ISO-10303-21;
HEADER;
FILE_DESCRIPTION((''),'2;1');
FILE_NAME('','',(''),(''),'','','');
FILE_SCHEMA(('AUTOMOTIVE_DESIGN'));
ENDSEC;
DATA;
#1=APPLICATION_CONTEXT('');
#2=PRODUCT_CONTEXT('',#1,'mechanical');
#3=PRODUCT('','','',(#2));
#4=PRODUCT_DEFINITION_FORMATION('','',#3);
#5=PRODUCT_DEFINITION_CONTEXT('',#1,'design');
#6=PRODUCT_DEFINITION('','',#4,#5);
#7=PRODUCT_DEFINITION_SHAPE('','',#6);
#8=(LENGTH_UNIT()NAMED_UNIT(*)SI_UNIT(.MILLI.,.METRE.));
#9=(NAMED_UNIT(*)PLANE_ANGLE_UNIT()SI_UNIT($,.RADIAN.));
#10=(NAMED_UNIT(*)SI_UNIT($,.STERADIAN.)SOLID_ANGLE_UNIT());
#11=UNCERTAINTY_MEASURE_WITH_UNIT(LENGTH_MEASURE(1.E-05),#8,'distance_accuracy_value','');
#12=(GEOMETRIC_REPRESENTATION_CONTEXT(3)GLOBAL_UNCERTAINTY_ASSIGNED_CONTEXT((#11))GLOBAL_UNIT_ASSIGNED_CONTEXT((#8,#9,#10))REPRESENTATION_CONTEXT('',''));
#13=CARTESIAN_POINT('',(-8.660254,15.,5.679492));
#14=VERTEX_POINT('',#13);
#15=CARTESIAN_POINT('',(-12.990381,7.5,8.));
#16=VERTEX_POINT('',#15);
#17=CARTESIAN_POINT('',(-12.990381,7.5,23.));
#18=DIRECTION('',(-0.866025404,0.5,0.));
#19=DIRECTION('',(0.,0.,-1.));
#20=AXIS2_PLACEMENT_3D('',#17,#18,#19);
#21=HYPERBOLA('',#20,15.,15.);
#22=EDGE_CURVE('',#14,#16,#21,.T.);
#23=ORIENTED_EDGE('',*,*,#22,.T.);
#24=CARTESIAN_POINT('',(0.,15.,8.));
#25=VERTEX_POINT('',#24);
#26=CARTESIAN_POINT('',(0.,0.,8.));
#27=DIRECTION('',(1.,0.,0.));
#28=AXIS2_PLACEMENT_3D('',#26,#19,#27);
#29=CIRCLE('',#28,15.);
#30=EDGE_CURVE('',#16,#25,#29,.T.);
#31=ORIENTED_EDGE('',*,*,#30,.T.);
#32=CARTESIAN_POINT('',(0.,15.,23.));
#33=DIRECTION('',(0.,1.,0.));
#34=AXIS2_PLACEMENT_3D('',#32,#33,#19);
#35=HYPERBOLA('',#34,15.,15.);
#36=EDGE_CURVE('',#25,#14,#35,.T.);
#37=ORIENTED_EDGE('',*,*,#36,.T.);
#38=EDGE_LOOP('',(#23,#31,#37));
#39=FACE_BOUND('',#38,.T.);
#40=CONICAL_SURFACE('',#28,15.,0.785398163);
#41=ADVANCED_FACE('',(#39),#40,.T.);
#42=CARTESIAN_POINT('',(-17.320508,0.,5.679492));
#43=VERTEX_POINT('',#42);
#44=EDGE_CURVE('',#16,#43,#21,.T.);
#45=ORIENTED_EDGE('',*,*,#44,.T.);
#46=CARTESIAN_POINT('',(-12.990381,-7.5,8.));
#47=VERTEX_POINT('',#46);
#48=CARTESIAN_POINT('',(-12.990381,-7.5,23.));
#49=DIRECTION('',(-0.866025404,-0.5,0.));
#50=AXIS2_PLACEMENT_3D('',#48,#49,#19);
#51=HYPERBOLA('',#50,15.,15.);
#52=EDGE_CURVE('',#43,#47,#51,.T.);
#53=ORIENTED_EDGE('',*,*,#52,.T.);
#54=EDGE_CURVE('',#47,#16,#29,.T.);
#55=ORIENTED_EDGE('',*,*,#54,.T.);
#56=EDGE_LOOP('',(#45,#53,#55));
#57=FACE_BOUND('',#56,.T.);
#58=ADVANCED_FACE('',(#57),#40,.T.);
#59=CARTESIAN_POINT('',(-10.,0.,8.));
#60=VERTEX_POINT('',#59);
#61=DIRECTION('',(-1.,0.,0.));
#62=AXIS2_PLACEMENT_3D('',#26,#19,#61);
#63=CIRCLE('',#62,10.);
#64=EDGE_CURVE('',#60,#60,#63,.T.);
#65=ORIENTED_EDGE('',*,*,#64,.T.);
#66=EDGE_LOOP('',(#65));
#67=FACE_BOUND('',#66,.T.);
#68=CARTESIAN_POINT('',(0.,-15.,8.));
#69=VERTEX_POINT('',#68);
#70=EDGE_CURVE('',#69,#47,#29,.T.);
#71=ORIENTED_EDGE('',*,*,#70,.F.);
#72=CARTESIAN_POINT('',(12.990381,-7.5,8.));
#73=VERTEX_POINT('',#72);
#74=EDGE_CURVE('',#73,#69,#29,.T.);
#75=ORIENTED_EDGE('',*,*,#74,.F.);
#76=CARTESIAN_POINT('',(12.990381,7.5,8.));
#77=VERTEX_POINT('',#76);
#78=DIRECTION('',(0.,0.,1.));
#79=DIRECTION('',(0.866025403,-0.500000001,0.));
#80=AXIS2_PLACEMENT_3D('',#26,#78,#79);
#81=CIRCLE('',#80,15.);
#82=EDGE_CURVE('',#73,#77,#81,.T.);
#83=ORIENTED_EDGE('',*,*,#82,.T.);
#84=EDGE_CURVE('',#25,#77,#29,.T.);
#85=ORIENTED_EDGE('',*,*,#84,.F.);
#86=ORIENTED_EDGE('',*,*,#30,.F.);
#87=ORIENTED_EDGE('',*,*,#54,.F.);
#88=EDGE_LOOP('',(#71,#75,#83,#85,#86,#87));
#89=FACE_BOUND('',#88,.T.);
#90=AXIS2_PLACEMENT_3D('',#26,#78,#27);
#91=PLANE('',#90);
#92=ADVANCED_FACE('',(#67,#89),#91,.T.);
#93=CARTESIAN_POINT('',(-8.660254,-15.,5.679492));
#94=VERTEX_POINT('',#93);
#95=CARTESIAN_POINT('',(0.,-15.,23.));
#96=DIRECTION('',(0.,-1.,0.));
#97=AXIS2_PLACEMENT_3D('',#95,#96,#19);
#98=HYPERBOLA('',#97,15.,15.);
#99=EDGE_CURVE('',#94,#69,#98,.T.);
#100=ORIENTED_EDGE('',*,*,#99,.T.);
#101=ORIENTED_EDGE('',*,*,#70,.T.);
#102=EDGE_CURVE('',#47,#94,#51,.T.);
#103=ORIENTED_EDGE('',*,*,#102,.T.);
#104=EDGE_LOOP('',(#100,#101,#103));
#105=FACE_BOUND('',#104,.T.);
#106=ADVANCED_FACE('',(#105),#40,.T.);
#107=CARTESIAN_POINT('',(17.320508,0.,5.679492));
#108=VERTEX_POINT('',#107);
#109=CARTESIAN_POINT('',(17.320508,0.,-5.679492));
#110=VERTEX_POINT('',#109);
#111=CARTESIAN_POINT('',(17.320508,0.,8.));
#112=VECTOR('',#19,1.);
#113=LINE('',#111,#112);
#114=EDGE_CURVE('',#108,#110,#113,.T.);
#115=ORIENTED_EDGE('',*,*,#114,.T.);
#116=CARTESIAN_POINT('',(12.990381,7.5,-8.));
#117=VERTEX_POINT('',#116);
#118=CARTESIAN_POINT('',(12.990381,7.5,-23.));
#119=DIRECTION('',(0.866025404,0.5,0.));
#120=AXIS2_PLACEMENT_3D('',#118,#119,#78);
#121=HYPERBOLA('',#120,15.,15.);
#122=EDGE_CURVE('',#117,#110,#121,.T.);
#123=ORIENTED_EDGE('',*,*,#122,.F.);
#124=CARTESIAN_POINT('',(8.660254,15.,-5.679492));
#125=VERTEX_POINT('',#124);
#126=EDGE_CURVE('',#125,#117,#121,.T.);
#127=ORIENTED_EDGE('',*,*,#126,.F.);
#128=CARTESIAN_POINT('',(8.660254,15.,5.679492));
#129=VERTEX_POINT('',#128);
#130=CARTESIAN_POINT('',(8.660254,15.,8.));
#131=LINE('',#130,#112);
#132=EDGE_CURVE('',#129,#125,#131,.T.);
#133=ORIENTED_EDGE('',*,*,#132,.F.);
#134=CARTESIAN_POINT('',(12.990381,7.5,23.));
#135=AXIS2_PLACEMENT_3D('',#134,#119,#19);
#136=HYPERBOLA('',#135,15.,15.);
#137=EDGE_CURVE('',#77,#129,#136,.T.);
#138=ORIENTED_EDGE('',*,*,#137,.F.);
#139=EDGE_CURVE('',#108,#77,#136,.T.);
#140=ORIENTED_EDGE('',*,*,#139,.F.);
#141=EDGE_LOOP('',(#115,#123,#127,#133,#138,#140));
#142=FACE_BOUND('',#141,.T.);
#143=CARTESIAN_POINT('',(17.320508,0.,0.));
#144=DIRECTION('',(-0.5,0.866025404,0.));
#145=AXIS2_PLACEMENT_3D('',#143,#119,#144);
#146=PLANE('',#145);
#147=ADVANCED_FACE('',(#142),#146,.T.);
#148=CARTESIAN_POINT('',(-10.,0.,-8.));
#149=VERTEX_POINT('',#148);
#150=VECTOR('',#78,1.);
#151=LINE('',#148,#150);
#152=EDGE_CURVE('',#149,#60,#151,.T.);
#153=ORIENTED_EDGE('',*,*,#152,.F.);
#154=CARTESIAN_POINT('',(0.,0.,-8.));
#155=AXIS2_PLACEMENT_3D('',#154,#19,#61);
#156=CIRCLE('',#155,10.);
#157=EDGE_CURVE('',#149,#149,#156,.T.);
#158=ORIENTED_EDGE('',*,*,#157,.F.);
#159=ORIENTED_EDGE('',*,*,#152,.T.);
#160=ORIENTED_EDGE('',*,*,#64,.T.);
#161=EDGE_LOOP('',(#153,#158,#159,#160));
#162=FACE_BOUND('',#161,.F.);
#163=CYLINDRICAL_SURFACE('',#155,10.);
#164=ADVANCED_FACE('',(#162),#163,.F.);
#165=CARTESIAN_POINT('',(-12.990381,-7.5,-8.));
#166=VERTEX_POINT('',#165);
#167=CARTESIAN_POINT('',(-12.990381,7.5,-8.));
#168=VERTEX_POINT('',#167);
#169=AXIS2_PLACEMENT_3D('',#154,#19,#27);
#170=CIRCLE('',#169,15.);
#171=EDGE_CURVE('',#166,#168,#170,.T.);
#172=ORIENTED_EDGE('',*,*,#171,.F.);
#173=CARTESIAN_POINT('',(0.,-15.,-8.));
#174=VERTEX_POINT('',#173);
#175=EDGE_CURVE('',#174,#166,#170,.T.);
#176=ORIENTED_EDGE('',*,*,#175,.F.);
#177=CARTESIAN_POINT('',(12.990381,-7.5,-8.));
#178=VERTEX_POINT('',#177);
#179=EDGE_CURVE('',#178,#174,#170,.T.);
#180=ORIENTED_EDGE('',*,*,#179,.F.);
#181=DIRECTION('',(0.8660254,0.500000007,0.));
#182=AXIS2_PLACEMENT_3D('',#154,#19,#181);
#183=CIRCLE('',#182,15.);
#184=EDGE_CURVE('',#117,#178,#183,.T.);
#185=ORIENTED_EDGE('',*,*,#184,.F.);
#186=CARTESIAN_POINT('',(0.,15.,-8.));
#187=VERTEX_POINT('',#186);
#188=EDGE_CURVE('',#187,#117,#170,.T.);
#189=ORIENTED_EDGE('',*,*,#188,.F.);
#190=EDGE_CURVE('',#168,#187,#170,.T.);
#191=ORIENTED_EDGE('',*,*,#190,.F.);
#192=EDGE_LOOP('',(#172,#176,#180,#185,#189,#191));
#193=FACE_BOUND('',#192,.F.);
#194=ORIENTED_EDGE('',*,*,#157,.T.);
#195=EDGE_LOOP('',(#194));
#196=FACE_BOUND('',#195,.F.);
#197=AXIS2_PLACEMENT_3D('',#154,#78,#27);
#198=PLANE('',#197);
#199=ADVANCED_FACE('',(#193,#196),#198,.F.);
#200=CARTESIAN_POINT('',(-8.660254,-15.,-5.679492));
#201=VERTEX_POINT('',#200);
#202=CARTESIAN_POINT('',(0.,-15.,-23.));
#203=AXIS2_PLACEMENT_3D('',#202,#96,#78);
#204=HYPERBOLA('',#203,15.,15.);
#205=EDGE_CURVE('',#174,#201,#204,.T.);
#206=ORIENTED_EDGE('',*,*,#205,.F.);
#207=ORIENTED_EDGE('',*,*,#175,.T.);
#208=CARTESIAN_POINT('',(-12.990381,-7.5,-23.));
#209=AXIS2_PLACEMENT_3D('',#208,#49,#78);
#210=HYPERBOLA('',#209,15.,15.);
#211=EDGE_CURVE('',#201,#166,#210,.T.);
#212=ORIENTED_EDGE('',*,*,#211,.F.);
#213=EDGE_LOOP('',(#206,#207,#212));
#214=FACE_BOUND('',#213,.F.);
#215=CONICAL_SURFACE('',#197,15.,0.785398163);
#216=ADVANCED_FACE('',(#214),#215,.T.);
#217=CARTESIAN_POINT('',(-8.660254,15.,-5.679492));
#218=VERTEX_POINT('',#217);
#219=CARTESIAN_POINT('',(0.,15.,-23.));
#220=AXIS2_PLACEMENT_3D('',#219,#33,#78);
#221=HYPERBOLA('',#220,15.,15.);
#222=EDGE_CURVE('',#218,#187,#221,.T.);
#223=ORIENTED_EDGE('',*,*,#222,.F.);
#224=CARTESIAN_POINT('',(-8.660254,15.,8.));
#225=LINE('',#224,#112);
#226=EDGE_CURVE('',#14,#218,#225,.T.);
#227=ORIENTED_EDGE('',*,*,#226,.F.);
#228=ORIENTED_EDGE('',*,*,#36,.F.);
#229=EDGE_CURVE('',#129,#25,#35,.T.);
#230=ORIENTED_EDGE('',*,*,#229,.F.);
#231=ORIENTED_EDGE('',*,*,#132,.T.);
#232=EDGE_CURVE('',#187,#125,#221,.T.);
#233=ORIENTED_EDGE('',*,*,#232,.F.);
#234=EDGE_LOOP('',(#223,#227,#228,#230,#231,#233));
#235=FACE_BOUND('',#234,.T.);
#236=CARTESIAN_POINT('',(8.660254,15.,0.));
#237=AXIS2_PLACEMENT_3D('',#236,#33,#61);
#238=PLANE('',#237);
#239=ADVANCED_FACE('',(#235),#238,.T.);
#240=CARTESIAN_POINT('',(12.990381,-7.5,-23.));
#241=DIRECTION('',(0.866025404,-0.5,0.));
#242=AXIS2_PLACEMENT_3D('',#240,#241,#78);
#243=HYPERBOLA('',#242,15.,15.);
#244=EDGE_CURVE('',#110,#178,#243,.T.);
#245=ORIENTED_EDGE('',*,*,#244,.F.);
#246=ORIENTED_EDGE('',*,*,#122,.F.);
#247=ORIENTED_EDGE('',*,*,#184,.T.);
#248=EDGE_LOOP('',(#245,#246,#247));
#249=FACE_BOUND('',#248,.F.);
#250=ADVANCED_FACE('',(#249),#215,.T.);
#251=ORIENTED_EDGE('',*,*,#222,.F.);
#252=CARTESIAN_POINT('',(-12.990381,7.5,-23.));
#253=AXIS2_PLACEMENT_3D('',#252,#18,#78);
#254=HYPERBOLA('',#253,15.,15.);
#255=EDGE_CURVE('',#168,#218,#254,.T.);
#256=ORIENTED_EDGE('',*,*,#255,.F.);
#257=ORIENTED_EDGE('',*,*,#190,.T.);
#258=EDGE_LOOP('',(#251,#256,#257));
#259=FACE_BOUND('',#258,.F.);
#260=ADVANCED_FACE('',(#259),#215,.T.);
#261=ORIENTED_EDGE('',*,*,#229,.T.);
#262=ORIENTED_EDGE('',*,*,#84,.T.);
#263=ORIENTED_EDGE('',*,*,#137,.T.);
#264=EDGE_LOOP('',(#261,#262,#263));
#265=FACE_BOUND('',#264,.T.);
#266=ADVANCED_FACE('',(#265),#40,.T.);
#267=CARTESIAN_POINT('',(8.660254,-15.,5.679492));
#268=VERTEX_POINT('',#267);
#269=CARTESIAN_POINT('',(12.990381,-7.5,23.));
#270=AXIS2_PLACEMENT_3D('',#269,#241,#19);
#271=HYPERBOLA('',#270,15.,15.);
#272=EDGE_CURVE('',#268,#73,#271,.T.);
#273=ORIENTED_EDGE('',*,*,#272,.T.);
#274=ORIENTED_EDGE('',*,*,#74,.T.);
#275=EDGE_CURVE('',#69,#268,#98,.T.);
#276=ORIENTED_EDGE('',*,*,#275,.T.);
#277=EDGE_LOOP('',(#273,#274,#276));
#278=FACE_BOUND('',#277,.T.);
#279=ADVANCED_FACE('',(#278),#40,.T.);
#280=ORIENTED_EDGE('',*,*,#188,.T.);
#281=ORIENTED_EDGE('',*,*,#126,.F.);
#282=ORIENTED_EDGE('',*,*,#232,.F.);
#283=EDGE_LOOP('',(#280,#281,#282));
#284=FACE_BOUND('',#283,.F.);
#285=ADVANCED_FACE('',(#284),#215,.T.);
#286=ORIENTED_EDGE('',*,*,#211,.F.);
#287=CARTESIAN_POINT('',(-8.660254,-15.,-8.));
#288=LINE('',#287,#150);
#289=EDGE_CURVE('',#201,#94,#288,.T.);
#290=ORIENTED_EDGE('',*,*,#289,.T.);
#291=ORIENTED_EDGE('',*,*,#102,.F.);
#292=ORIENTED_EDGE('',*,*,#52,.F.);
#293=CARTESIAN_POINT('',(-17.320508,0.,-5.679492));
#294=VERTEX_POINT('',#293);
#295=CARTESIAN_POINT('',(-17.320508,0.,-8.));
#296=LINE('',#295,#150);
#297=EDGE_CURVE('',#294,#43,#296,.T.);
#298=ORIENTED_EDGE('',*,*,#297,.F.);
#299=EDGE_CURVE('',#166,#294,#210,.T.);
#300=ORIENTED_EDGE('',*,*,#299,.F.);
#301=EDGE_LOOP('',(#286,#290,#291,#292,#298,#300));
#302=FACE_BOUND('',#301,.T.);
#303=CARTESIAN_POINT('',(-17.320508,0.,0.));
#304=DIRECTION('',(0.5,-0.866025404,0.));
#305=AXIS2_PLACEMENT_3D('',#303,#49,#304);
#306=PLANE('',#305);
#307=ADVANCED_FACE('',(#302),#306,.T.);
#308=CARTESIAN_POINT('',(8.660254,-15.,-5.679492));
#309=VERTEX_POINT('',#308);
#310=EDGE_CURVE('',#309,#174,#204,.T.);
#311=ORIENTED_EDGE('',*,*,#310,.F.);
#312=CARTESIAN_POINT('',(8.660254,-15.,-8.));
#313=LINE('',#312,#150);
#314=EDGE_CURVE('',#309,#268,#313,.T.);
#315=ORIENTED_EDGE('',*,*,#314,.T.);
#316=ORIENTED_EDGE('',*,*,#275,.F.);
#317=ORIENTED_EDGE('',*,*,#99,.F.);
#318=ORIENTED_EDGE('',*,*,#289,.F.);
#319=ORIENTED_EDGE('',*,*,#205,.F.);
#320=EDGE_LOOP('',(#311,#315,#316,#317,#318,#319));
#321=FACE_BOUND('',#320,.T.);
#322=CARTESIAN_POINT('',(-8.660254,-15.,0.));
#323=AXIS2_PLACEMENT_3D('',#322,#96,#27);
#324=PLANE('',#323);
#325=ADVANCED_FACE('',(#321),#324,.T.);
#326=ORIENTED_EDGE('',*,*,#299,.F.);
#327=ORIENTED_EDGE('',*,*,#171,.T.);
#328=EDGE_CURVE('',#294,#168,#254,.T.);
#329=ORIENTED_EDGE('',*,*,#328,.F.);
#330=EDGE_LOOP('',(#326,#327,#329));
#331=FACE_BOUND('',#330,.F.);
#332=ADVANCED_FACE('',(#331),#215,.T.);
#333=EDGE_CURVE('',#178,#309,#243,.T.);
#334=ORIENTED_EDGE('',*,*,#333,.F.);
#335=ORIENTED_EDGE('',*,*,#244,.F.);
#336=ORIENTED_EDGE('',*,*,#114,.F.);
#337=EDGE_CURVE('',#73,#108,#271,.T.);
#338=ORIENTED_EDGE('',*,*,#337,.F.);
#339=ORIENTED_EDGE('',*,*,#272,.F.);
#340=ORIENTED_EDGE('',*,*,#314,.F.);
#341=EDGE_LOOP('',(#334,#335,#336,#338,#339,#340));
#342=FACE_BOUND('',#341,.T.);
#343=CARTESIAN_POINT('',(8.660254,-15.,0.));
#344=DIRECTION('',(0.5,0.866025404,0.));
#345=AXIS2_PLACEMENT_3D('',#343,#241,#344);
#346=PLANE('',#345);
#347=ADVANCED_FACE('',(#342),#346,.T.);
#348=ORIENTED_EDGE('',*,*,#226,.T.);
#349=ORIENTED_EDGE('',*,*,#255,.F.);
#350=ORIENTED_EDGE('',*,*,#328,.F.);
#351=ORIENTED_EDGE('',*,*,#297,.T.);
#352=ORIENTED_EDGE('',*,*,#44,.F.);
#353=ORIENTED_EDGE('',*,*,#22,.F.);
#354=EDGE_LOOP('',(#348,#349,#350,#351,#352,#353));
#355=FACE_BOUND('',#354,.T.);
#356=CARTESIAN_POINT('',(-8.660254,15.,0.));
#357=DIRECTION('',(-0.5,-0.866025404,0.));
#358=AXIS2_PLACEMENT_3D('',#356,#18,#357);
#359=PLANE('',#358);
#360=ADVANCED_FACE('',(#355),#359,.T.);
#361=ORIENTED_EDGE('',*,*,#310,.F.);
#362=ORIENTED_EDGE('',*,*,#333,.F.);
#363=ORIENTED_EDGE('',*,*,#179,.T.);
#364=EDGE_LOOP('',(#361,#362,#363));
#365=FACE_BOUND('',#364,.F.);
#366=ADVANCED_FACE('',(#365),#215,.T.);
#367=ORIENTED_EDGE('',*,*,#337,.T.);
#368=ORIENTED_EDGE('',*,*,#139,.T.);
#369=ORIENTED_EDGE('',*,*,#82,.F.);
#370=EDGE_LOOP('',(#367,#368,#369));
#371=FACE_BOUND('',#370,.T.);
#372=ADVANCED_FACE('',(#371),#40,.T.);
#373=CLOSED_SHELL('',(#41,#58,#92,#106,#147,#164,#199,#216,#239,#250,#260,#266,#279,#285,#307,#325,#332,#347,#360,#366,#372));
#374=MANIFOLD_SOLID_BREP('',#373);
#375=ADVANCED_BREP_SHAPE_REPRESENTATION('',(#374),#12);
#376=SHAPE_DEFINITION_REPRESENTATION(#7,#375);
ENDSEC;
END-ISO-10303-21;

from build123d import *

# Parameters (mm, degrees)
BOSS_EXTRUDE1_DEPTH = 8
SKETCH2_OUTSIDE_W   = 80.35
SKETCH2_OUTSIDE_H   = 75.708
SKETCH2_OUTSIDE_R   = 15
CUT_EXTRUDE1_DEPTH  = 17
CUT_EXTRUDE1_TAPER  = 45
SKETCH3_R           = 10
CUT_EXTRUDE2_DEPTH  = 17


with BuildPart() as part:
    # Sketch1 → Boss-Extrude1 (new body, symmetric)
    with BuildSketch(Plane.XY):
        Polygon((-8.660254038, 15), (-17.320508076, 0), (-8.660254038, -15), (8.660254038, -15), (17.320508076, 0), (8.660254038, 15), align=None)
    extrude(amount=BOSS_EXTRUDE1_DEPTH, both=True)

    # Sketch2 outside → Cut-Extrude1 (cut, through all)
    with BuildSketch(Plane.XY.offset(8)):
        Rectangle(SKETCH2_OUTSIDE_W, SKETCH2_OUTSIDE_H)
        Circle(SKETCH2_OUTSIDE_R, mode=Mode.SUBTRACT)
    cut_extrude1 = extrude(amount=-CUT_EXTRUDE1_DEPTH, taper=CUT_EXTRUDE1_TAPER, mode=Mode.SUBTRACT)

    # Mirror1: Cut-Extrude1 across plane
    add(cut_extrude1.mirror(Plane.XY), mode=Mode.SUBTRACT)

    # Sketch3 → Cut-Extrude2 (cut, through all)
    with BuildSketch(Plane(origin=(0, 0, -8), x_dir=(-1, 0, 0), z_dir=(0, 0, -1))):
        Circle(SKETCH3_R)
    extrude(amount=-CUT_EXTRUDE2_DEPTH, mode=Mode.SUBTRACT)


solid = part.part
